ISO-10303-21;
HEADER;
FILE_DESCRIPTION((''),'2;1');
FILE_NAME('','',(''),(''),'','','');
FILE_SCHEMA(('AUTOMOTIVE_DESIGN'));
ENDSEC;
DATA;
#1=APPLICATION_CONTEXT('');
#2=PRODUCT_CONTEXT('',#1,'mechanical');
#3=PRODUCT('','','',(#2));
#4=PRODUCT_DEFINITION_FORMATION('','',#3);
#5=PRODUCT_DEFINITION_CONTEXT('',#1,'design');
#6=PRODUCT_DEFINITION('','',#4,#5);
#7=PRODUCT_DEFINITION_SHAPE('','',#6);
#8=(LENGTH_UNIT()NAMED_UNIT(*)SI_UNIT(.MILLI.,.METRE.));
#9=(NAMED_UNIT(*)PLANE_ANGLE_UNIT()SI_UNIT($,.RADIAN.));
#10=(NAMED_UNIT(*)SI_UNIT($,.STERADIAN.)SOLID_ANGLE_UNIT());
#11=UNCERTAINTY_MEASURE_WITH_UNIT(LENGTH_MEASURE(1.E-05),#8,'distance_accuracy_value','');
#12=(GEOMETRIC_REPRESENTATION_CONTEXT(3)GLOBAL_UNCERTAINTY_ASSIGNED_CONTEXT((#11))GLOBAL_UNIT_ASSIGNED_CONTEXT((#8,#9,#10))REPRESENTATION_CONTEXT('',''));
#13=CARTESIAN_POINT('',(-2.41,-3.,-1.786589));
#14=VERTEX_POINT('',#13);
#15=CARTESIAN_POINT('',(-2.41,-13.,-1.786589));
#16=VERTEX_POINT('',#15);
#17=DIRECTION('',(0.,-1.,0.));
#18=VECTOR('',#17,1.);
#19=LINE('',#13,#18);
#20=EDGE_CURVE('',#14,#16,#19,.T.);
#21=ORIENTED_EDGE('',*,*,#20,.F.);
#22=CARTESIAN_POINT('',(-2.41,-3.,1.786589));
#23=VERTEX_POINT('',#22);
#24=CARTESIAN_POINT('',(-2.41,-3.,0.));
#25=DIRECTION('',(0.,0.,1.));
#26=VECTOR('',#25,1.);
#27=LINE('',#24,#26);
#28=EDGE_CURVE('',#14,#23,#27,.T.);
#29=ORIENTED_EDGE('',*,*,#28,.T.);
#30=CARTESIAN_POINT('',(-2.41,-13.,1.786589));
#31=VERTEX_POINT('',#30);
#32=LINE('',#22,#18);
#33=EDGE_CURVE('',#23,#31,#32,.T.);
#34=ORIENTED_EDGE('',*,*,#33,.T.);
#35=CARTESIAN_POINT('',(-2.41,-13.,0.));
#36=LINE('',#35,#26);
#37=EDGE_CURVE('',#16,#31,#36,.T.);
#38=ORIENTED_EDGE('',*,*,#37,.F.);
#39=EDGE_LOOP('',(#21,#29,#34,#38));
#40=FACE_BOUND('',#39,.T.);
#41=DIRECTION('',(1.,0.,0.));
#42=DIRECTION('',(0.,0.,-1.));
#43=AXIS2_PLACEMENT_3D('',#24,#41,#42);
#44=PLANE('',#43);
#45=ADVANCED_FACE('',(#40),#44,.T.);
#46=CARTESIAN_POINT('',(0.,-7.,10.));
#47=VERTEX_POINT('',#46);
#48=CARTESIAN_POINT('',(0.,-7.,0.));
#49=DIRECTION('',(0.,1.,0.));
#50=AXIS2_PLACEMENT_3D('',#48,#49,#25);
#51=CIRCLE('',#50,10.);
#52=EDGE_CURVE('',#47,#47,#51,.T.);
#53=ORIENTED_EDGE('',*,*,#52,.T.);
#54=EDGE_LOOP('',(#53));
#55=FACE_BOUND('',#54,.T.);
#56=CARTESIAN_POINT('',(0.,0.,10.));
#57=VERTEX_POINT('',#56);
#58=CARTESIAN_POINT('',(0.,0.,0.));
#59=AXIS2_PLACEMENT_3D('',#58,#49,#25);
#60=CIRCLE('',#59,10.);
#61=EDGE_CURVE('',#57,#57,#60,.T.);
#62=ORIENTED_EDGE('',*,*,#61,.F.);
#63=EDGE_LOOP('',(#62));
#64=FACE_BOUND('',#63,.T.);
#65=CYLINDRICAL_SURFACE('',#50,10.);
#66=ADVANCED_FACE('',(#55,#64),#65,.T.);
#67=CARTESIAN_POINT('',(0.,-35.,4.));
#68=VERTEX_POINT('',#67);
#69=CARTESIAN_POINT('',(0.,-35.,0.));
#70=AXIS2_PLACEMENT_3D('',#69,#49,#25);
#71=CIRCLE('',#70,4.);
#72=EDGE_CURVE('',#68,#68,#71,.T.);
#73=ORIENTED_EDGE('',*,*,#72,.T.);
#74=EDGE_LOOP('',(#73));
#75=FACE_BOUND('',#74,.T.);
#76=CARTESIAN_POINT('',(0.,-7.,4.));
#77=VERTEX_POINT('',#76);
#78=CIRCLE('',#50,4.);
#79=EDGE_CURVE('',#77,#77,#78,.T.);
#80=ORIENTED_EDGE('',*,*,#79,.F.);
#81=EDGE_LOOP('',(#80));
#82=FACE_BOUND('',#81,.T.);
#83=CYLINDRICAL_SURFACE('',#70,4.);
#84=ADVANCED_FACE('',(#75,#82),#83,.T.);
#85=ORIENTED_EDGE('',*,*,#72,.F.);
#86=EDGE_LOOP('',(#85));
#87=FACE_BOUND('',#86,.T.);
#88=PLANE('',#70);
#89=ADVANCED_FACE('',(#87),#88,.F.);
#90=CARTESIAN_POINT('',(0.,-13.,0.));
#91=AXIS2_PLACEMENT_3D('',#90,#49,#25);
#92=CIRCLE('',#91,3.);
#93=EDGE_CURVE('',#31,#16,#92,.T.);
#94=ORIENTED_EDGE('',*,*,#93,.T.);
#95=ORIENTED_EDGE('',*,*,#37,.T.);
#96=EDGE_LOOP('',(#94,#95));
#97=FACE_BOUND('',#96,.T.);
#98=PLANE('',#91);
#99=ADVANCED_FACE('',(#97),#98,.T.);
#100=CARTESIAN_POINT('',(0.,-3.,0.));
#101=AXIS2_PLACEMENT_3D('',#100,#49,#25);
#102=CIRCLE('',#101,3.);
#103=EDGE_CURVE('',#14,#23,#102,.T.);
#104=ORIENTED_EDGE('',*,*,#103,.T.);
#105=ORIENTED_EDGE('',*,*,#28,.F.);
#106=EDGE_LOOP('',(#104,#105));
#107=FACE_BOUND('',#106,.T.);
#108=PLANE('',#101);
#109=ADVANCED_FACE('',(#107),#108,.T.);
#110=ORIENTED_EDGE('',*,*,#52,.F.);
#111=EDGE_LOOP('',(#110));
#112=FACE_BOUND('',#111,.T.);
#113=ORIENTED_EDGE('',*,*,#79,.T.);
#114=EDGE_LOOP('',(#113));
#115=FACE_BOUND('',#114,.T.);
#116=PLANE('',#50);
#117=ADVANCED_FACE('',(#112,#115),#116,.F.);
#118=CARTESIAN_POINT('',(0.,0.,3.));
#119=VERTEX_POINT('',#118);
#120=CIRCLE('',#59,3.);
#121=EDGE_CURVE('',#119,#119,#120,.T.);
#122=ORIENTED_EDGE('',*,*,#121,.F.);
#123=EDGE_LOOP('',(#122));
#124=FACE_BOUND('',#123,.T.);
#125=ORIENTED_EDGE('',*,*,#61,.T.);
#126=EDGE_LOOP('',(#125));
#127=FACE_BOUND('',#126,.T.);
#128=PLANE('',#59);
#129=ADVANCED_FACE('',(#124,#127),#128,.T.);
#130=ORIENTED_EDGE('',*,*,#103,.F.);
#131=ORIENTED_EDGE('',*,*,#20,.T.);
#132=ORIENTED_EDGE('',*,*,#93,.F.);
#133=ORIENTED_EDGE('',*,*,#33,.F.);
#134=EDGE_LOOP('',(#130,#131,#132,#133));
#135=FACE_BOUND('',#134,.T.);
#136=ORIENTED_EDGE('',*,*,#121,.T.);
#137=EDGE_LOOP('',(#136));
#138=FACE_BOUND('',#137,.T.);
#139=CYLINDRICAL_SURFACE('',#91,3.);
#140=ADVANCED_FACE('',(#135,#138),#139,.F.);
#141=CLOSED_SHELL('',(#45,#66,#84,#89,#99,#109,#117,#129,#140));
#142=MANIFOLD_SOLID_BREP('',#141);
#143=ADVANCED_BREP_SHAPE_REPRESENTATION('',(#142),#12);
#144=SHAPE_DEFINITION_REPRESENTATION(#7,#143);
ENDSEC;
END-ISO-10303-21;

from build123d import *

# Parameters (mm, degrees)
ESQUISSE1_R             = 4
BOSS_EXTRU_1_DEPTH      = 35
ESQUISSE2_R             = 3
ENL_V_MAT_EXTRU_1_DEPTH = 13
BOSS_EXTRU_2_START      = 10
BOSS_EXTRU_2_DEPTH      = 10
ESQUISSE5_R             = 10
ESQUISSE5_R_2           = 4
BOSS_EXTRU_3_DEPTH      = 7


with BuildPart() as part:
    # Esquisse1 → Boss.-Extru.1 (new body)
    with BuildSketch(Plane(origin=(0, 0, 0), x_dir=(1, 0, 0), z_dir=(0, 1, 0))):
        with Locations(Location((0, 0, 0), (0, 0, 270))):
            Circle(ESQUISSE1_R)
    extrude(amount=-BOSS_EXTRU_1_DEPTH)

    # Esquisse2 → Enlèv. mat.-Extru.1 (cut)
    with BuildSketch(Plane(origin=(0, 0, 0), x_dir=(1, 0, 0), z_dir=(0, 1, 0))):
        with Locations(Location((0, 0, 0), (0, 0, 270))):
            Circle(ESQUISSE2_R)
    extrude(amount=-ENL_V_MAT_EXTRU_1_DEPTH, mode=Mode.SUBTRACT)

    # Esquisse4 → Boss.-Extru.2 (add)
    with BuildSketch(Plane(origin=(0, -13, 0), x_dir=(1, 0, 0), z_dir=(0, 1, 0)).offset(BOSS_EXTRU_2_START)):
        with BuildLine():
            Line((-2.41, -1.786588929), (-2.41, 0))
            Line((-2.41, 0), (-2.41, 1.786588929))
            ThreePointArc((-2.41, 1.786588929), (-3, 0), (-2.41, -1.786588929))
        make_face()
    extrude(amount=-BOSS_EXTRU_2_DEPTH)

    # Esquisse5 → Boss.-Extru.3 (add)
    with BuildSketch(Plane(origin=(0, 0, 0), x_dir=(1, 0, 0), z_dir=(0, 1, 0))):
        with Locations(Location((0, 0, 0), (0, 0, 270))):
            Circle(ESQUISSE5_R)
        with Locations(Location((0, 0, 0), (0, 0, 270))):
            Circle(ESQUISSE5_R_2, mode=Mode.SUBTRACT)
    extrude(amount=-BOSS_EXTRU_3_DEPTH)


solid = part.part
